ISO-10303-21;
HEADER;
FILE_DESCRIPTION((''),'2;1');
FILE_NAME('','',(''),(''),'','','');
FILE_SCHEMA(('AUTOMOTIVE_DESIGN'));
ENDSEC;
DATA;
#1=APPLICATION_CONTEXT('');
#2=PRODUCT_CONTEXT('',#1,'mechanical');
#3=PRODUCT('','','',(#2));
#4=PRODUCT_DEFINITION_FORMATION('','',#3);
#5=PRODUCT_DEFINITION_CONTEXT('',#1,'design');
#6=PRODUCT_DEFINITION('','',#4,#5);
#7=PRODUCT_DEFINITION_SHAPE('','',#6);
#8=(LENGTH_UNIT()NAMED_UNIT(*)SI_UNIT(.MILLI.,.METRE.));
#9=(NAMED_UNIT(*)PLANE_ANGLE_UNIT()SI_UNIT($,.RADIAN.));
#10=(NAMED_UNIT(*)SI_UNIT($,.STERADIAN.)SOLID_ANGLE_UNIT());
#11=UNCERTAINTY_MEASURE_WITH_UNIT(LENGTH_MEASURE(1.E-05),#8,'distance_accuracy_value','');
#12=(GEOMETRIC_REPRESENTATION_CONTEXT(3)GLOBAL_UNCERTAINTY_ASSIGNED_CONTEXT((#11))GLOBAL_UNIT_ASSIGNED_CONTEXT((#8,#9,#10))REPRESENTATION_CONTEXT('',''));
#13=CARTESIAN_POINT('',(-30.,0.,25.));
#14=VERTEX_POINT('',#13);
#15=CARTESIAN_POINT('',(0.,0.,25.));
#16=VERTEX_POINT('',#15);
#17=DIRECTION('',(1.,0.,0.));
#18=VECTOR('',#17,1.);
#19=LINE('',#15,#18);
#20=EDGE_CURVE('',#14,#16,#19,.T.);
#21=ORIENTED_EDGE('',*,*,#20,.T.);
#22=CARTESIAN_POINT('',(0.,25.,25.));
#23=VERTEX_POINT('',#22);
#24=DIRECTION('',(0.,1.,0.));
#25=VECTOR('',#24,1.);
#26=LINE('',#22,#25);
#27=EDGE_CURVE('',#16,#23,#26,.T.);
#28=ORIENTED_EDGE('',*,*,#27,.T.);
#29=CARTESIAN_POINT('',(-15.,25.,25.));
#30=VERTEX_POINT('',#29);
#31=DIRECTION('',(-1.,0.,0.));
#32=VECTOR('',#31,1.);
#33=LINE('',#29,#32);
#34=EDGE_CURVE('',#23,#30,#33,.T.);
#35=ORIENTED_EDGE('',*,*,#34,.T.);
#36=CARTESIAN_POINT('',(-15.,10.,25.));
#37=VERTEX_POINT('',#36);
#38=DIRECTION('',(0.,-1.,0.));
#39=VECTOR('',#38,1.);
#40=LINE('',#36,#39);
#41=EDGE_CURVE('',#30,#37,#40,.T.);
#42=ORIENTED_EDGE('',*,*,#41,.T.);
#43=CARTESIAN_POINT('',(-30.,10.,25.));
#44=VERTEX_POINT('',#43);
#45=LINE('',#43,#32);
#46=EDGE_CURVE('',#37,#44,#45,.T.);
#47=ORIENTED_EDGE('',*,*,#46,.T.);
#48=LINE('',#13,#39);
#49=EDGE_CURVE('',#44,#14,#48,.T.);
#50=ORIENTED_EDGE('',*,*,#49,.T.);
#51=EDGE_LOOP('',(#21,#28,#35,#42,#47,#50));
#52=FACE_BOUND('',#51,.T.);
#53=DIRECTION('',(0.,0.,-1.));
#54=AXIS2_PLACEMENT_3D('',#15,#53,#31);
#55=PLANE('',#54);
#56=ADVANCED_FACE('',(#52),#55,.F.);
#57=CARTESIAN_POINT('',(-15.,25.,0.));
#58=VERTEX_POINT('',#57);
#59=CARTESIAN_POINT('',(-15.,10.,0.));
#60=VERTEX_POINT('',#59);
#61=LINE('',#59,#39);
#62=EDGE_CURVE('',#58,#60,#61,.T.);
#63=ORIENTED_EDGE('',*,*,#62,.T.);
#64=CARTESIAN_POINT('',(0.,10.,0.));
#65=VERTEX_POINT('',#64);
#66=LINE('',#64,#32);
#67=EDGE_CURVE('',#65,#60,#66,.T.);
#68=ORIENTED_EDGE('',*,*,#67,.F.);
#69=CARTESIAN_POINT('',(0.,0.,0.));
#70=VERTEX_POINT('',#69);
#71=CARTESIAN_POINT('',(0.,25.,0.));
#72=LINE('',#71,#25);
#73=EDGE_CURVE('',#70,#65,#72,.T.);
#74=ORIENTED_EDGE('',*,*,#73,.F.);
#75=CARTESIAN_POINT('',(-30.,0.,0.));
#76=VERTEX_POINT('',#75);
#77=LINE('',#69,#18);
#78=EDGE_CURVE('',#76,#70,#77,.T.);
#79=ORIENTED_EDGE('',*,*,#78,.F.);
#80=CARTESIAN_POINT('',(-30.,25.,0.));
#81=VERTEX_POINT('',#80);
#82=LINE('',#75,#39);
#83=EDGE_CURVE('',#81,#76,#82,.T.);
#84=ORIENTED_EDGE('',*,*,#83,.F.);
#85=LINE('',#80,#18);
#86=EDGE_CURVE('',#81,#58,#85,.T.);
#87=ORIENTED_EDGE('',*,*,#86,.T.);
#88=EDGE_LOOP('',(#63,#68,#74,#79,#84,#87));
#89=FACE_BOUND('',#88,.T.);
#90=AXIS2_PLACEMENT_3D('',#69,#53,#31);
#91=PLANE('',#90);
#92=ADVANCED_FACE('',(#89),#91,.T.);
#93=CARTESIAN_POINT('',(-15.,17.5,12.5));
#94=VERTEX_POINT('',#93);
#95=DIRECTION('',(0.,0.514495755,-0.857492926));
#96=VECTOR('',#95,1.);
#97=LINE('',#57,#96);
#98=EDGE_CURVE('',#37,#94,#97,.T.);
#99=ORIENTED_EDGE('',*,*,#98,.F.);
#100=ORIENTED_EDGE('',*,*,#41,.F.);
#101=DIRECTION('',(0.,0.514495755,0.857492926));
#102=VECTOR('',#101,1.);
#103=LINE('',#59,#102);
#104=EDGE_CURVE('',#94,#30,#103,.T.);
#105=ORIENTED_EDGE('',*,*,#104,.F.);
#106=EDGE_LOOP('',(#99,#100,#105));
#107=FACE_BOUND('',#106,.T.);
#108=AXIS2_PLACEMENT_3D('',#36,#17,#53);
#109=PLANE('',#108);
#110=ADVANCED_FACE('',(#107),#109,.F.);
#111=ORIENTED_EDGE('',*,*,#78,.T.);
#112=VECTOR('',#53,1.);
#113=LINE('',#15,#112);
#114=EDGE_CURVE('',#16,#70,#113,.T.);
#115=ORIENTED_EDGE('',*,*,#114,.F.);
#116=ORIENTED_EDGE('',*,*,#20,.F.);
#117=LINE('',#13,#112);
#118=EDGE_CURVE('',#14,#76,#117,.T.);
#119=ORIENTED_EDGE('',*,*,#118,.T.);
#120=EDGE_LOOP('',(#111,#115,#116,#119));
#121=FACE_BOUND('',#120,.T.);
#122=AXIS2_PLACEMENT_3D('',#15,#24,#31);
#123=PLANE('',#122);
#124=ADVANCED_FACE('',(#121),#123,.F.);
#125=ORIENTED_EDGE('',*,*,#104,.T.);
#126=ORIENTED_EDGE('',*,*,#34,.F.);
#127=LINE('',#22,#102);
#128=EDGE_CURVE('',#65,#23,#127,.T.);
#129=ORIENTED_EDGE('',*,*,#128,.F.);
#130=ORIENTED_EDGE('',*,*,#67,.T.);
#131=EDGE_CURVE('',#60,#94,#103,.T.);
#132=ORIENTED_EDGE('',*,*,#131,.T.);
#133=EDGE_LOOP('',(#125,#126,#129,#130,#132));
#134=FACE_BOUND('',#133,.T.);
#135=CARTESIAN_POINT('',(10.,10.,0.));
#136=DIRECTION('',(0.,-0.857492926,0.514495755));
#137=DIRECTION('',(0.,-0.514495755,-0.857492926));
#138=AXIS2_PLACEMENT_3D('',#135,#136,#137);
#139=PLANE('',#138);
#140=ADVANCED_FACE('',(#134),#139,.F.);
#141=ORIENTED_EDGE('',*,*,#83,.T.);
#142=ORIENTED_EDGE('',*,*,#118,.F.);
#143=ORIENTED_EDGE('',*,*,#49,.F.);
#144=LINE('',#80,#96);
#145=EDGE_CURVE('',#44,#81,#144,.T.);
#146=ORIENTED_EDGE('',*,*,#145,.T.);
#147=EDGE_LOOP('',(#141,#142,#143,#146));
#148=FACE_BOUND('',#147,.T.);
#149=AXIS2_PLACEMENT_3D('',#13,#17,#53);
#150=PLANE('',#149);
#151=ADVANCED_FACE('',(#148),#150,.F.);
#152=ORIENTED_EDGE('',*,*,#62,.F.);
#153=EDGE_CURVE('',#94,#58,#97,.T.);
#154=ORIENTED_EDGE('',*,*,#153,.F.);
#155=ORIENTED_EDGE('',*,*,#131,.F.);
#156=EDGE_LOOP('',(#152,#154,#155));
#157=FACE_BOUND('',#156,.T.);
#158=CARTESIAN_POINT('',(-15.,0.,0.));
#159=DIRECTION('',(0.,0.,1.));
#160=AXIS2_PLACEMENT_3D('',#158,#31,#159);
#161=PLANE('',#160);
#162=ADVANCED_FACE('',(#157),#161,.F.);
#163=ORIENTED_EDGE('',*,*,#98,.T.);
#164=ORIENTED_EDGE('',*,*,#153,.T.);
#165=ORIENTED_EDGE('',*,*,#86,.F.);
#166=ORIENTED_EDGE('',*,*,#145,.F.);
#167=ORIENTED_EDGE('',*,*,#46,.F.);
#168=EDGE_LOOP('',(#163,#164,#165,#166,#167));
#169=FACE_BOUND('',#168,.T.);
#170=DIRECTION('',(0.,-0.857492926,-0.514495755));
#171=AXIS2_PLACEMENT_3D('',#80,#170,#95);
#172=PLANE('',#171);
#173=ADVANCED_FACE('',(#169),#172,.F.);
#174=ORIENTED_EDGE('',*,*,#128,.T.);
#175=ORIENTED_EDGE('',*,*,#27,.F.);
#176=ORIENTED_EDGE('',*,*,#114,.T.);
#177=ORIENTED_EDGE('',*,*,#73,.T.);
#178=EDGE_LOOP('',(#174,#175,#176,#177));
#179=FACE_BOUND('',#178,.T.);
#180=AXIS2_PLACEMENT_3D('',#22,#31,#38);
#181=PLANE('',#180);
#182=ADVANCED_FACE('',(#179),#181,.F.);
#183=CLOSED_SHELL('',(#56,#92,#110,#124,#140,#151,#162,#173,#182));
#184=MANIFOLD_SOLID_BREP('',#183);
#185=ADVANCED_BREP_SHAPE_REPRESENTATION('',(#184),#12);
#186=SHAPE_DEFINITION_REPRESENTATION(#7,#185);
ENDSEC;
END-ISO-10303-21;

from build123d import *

# Parameters (mm, degrees)
BOSS_EXTRUDE1_DEPTH = 25
CUT_EXTRUDE1_DEPTH  = 25
BOSS_EXTRUDE2_DEPTH = 15


with BuildPart() as part:
    # Sketch1 → Boss-Extrude1 (new body)
    with BuildSketch(Plane.XY):
        Polygon((-30, 10), (-15, 10), (-15, 25), (0, 25), (0, 0), (-30, 0), align=None)
    extrude(amount=BOSS_EXTRUDE1_DEPTH)

    # Sketch2 → Cut-Extrude1 (cut)
    with BuildSketch(Plane.ZY.offset(15)):
        Polygon((0, 10), (25, 25), (0, 25), align=None)
    extrude(amount=-CUT_EXTRUDE1_DEPTH, mode=Mode.SUBTRACT)

    # Sketch4 → Boss-Extrude2 (add)
    with BuildSketch(Plane.ZY.offset(15)):
        Polygon((25, 10), (0, 10), (0, 25), align=None)
    extrude(amount=BOSS_EXTRUDE2_DEPTH)


solid = part.part
